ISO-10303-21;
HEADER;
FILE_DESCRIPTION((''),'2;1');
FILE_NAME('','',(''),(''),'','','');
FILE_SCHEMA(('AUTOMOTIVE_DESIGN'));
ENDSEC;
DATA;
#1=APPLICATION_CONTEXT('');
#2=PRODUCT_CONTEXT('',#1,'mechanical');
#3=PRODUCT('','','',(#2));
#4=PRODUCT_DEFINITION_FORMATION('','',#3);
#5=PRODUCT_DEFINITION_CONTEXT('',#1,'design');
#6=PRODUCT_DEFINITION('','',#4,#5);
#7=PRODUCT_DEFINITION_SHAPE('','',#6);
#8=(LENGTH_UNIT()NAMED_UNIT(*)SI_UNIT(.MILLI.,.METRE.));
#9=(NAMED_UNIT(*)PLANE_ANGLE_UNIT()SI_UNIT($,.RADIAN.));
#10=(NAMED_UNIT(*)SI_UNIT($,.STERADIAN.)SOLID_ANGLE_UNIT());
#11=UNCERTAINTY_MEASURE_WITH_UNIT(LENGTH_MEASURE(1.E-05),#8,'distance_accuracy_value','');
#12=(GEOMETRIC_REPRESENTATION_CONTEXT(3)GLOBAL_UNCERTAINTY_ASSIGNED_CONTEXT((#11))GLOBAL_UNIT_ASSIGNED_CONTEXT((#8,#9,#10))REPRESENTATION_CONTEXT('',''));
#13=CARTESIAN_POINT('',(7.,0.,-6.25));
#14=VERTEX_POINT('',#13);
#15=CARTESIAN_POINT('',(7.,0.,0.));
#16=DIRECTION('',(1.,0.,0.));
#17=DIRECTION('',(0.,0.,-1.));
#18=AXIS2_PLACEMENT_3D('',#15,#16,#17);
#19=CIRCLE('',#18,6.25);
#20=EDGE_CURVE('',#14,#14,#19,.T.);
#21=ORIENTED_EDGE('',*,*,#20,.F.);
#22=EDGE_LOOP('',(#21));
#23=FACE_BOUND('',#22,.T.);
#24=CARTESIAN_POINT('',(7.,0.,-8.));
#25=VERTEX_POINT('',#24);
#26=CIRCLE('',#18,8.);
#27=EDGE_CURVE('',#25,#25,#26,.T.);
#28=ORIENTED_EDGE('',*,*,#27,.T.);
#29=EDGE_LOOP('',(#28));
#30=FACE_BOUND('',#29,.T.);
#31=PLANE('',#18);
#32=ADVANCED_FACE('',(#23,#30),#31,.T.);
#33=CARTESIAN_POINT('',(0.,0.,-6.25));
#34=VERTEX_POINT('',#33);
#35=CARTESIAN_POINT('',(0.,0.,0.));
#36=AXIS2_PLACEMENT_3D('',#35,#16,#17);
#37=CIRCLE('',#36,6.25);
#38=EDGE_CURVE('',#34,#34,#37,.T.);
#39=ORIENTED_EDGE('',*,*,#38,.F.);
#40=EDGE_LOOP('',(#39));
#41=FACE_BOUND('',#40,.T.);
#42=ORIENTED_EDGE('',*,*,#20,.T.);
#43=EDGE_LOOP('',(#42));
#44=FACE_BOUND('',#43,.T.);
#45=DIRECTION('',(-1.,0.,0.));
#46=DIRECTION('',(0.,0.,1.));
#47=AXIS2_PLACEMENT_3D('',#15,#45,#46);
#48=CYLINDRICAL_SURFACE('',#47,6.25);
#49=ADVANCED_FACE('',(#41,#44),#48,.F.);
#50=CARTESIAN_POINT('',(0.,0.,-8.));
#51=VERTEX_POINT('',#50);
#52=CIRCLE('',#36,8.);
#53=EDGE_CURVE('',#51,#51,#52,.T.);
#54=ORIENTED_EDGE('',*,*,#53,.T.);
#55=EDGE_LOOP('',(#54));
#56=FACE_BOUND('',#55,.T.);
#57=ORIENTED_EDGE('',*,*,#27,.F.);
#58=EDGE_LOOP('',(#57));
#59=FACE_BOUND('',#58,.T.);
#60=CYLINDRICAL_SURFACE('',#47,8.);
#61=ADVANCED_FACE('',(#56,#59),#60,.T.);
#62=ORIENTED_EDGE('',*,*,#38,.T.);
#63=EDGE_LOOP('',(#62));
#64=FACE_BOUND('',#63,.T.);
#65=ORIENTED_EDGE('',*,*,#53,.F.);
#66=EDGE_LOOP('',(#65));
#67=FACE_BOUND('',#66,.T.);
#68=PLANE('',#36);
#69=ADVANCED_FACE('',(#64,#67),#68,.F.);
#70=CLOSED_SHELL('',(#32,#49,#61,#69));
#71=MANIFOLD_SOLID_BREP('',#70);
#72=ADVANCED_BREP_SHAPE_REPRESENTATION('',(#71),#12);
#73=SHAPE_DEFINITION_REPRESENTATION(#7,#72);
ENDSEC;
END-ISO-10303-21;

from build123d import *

# Parameters (mm, degrees)
SKETCH_1_R      = 8
SKETCH_1_R_2    = 6.25
EXTRUDE_1_DEPTH = 7


with BuildPart() as part:
    # ｽｹｯﾁ1 → ﾎﾞｽ - 押し出し1 (new body)
    with BuildSketch(Plane(origin=(0, 0, 0), x_dir=(0, 0, -1), z_dir=(1, 0, 0))):
        Circle(SKETCH_1_R)
        Circle(SKETCH_1_R_2, mode=Mode.SUBTRACT)
    extrude(amount=EXTRUDE_1_DEPTH)


solid = part.part
